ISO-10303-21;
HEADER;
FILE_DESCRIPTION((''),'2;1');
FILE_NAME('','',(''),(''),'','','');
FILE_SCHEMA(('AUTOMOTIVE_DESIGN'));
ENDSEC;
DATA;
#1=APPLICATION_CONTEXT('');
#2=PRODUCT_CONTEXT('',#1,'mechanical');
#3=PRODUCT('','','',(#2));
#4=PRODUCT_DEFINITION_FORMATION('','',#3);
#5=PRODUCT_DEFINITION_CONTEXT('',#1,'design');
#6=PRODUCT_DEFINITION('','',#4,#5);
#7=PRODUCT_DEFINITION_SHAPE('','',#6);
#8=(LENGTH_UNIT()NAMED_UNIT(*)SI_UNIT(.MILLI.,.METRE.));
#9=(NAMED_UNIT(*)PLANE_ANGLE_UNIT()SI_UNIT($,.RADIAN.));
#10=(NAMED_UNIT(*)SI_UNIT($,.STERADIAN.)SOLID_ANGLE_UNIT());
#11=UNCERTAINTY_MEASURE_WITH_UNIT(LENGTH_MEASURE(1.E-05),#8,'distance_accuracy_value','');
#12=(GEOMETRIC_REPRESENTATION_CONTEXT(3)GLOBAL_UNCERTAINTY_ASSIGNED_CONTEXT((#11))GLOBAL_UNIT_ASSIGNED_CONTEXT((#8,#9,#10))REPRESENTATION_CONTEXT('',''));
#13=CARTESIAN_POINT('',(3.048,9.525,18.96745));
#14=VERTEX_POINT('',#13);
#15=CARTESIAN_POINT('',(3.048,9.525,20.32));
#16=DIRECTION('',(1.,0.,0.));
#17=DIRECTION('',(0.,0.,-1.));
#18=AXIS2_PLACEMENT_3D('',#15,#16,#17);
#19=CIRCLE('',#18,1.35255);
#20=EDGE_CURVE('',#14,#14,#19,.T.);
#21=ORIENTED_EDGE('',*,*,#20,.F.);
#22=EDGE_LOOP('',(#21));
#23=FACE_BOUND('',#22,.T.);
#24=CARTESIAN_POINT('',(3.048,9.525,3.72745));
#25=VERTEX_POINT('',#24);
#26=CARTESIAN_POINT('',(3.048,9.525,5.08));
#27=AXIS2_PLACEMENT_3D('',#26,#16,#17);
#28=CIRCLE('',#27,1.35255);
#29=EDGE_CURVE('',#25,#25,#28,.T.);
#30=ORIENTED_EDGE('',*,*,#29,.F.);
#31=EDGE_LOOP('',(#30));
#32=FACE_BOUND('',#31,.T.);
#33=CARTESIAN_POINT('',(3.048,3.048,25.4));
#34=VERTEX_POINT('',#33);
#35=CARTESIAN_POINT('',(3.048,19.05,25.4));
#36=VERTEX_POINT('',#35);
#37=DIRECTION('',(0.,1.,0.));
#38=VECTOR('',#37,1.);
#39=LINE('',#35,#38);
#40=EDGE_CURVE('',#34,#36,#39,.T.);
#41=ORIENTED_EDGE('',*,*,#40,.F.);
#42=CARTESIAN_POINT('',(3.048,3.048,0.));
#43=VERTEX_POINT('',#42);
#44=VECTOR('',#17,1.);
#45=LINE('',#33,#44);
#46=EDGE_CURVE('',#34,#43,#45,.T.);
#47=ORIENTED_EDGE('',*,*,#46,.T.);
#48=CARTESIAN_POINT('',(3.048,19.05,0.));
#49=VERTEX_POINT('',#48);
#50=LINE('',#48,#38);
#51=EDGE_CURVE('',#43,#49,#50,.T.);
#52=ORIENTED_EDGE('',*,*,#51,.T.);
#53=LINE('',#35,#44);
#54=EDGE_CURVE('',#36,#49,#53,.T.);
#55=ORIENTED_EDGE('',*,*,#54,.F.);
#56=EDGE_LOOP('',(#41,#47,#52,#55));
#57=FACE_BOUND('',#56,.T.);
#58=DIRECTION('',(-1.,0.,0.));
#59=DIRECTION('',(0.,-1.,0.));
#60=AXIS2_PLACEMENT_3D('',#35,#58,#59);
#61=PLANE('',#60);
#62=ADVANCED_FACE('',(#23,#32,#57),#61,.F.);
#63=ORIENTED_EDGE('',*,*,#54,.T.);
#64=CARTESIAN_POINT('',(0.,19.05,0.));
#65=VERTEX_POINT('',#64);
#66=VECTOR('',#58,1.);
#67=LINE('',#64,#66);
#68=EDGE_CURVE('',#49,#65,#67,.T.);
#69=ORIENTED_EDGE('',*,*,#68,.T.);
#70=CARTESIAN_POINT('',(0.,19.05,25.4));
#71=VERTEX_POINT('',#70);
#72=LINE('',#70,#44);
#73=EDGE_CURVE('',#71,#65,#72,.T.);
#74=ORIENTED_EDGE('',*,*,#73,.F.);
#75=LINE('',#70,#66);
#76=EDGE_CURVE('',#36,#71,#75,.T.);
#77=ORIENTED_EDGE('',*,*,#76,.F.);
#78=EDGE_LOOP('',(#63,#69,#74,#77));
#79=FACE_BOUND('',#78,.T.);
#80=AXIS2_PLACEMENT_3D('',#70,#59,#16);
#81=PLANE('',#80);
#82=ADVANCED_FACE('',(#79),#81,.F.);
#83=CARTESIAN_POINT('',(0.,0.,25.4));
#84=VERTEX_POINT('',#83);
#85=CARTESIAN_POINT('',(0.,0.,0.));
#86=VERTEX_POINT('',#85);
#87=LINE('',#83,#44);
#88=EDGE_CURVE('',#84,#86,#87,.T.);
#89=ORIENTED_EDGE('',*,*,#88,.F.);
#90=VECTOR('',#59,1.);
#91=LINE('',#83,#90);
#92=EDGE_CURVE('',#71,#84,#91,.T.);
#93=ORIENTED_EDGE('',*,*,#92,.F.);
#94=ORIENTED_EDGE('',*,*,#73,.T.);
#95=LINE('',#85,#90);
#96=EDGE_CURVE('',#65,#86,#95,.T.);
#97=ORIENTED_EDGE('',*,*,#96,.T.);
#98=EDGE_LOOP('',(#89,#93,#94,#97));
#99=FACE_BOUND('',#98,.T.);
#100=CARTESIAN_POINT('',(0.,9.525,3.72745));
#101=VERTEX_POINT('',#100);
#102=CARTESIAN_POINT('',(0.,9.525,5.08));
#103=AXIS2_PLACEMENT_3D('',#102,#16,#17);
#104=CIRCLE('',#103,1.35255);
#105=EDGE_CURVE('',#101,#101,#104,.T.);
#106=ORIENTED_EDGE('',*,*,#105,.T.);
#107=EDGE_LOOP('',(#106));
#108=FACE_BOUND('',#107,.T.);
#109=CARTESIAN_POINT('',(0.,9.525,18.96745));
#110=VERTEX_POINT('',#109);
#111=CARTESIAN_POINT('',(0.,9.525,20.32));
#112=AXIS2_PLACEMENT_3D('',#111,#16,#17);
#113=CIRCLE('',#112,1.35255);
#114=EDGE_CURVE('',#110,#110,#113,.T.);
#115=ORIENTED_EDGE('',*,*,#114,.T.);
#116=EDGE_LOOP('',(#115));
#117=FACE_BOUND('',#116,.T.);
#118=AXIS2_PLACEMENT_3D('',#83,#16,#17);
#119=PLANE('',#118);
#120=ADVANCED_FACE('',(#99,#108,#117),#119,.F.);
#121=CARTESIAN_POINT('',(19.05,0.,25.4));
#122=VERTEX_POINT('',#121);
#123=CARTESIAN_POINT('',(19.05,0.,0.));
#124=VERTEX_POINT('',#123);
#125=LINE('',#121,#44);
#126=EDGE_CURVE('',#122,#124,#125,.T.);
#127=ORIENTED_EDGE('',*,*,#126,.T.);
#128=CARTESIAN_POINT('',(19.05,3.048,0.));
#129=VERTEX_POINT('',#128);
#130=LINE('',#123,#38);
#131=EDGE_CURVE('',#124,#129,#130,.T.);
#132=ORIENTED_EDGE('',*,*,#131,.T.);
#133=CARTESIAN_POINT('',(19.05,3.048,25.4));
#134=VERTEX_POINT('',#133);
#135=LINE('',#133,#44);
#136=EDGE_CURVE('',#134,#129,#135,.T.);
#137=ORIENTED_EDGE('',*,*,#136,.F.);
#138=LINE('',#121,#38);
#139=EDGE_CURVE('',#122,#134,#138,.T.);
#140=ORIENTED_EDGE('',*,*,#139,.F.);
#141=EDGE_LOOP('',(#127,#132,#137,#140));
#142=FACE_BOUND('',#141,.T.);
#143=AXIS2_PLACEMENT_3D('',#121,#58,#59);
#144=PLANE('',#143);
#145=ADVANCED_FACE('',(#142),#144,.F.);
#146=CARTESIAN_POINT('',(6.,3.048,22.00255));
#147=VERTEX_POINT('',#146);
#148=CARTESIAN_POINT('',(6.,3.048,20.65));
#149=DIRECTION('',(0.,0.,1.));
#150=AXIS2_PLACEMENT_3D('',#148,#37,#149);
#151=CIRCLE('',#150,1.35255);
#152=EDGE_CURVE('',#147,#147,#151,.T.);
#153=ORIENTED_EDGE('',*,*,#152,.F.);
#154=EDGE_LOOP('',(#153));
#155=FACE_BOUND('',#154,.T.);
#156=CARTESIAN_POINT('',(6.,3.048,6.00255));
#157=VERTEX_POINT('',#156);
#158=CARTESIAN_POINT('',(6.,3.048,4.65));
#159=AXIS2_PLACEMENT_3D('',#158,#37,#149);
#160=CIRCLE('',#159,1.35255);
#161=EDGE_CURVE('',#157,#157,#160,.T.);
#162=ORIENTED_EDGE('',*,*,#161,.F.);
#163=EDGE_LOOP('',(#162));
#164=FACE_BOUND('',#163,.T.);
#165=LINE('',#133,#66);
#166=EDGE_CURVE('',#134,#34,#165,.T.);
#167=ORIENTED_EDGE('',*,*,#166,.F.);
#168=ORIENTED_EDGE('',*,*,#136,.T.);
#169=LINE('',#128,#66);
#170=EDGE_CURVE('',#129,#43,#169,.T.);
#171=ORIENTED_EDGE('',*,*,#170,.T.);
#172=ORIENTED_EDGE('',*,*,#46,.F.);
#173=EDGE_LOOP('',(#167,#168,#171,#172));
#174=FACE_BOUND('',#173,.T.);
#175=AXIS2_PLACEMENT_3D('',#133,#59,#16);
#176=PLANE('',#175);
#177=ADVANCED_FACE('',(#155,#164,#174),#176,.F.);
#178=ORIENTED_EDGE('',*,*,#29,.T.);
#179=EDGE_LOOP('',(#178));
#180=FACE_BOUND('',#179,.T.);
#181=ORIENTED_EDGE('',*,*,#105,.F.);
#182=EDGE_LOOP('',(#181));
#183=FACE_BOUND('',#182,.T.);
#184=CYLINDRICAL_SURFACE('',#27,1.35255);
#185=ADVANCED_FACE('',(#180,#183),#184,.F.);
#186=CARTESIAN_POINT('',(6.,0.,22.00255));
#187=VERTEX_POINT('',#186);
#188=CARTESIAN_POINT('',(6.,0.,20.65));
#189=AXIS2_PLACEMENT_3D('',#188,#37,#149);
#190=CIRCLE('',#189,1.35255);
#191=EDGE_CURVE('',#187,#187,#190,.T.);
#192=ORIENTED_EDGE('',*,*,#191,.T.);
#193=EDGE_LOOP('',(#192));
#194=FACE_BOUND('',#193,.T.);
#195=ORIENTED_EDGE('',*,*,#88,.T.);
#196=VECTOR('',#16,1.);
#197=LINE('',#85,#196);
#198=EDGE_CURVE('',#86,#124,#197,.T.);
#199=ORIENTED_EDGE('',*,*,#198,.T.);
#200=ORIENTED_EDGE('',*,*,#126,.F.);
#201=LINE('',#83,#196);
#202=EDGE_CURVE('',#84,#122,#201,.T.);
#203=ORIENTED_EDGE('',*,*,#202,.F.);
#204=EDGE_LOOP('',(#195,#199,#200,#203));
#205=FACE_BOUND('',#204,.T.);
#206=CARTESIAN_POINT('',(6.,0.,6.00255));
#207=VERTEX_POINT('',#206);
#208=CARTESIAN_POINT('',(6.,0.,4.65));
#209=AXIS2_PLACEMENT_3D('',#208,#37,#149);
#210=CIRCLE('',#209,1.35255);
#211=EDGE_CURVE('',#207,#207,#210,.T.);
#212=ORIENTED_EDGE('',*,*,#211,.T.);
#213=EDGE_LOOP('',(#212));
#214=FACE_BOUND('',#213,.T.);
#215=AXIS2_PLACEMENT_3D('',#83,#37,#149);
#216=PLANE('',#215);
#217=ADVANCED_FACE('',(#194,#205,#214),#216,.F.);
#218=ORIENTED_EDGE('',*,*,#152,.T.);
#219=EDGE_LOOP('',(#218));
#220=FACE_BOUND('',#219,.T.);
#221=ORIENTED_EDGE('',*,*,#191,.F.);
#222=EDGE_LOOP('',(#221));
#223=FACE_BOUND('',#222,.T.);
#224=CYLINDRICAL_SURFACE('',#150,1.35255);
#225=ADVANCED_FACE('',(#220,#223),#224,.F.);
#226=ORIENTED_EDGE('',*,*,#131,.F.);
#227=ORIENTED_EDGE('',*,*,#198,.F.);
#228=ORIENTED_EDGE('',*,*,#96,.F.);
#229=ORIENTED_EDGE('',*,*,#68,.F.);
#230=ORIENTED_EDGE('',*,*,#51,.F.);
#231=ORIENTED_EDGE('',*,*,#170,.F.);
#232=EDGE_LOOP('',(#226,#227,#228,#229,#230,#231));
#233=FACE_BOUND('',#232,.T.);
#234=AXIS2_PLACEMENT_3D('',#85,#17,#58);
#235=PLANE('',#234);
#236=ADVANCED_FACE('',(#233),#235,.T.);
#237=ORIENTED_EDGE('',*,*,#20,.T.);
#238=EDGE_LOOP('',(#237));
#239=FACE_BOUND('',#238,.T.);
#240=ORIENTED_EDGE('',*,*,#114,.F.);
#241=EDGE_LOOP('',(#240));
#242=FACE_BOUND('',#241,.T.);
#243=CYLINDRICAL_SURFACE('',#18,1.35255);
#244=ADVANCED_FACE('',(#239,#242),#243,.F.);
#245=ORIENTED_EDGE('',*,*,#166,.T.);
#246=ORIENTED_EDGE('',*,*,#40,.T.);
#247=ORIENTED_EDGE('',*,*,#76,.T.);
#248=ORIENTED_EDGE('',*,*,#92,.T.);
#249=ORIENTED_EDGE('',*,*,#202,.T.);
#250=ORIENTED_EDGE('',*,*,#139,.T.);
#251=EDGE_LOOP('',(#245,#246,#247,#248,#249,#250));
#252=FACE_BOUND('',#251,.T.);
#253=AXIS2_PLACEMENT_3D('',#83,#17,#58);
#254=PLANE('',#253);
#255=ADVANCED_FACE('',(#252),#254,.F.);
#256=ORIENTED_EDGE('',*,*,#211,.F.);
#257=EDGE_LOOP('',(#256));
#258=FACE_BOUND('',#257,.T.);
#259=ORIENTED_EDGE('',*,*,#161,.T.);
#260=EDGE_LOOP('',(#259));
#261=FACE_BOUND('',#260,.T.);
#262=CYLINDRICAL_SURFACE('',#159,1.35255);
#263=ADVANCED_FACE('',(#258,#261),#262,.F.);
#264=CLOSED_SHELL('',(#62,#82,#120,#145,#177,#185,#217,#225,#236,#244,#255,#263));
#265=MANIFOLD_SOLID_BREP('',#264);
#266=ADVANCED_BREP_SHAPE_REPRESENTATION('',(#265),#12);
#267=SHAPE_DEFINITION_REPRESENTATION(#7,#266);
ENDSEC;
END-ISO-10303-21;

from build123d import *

# Parameters (mm, degrees)
BOSS_EXTRUDE1_DEPTH   = 25.4
F_6_32_TAPPED_HOLE1_D = 2.7051
F_6_32_TAPPED_HOLE2_D = 2.7051


with BuildPart() as part:
    # Sketch1 → Boss-Extrude1 (new body)
    with BuildSketch(Plane.XY):
        Polygon((0, 0), (19.05, 0), (19.05, 3.048), (3.048, 3.048), (3.048, 19.05), (0, 19.05), align=None)
    extrude(amount=BOSS_EXTRUDE1_DEPTH)

    # #6-32 Tapped Hole1 (through all)
    with Locations(Plane(origin=(3.048, 0, 0), x_dir=(0, 0, -1), z_dir=(1, 0, 0))):
        with Locations((-20.32, 9.525), (-5.08, 9.525)):
            Hole(F_6_32_TAPPED_HOLE1_D / 2)

    # #6-32 Tapped Hole2 (through all)
    with Locations(Plane(origin=(0, 3.048, 0), x_dir=(1, 0, 0), z_dir=(0, 1, 0))):
        with Locations((6, -20.65), (6, -4.65)):
            Hole(F_6_32_TAPPED_HOLE2_D / 2)


solid = part.part
